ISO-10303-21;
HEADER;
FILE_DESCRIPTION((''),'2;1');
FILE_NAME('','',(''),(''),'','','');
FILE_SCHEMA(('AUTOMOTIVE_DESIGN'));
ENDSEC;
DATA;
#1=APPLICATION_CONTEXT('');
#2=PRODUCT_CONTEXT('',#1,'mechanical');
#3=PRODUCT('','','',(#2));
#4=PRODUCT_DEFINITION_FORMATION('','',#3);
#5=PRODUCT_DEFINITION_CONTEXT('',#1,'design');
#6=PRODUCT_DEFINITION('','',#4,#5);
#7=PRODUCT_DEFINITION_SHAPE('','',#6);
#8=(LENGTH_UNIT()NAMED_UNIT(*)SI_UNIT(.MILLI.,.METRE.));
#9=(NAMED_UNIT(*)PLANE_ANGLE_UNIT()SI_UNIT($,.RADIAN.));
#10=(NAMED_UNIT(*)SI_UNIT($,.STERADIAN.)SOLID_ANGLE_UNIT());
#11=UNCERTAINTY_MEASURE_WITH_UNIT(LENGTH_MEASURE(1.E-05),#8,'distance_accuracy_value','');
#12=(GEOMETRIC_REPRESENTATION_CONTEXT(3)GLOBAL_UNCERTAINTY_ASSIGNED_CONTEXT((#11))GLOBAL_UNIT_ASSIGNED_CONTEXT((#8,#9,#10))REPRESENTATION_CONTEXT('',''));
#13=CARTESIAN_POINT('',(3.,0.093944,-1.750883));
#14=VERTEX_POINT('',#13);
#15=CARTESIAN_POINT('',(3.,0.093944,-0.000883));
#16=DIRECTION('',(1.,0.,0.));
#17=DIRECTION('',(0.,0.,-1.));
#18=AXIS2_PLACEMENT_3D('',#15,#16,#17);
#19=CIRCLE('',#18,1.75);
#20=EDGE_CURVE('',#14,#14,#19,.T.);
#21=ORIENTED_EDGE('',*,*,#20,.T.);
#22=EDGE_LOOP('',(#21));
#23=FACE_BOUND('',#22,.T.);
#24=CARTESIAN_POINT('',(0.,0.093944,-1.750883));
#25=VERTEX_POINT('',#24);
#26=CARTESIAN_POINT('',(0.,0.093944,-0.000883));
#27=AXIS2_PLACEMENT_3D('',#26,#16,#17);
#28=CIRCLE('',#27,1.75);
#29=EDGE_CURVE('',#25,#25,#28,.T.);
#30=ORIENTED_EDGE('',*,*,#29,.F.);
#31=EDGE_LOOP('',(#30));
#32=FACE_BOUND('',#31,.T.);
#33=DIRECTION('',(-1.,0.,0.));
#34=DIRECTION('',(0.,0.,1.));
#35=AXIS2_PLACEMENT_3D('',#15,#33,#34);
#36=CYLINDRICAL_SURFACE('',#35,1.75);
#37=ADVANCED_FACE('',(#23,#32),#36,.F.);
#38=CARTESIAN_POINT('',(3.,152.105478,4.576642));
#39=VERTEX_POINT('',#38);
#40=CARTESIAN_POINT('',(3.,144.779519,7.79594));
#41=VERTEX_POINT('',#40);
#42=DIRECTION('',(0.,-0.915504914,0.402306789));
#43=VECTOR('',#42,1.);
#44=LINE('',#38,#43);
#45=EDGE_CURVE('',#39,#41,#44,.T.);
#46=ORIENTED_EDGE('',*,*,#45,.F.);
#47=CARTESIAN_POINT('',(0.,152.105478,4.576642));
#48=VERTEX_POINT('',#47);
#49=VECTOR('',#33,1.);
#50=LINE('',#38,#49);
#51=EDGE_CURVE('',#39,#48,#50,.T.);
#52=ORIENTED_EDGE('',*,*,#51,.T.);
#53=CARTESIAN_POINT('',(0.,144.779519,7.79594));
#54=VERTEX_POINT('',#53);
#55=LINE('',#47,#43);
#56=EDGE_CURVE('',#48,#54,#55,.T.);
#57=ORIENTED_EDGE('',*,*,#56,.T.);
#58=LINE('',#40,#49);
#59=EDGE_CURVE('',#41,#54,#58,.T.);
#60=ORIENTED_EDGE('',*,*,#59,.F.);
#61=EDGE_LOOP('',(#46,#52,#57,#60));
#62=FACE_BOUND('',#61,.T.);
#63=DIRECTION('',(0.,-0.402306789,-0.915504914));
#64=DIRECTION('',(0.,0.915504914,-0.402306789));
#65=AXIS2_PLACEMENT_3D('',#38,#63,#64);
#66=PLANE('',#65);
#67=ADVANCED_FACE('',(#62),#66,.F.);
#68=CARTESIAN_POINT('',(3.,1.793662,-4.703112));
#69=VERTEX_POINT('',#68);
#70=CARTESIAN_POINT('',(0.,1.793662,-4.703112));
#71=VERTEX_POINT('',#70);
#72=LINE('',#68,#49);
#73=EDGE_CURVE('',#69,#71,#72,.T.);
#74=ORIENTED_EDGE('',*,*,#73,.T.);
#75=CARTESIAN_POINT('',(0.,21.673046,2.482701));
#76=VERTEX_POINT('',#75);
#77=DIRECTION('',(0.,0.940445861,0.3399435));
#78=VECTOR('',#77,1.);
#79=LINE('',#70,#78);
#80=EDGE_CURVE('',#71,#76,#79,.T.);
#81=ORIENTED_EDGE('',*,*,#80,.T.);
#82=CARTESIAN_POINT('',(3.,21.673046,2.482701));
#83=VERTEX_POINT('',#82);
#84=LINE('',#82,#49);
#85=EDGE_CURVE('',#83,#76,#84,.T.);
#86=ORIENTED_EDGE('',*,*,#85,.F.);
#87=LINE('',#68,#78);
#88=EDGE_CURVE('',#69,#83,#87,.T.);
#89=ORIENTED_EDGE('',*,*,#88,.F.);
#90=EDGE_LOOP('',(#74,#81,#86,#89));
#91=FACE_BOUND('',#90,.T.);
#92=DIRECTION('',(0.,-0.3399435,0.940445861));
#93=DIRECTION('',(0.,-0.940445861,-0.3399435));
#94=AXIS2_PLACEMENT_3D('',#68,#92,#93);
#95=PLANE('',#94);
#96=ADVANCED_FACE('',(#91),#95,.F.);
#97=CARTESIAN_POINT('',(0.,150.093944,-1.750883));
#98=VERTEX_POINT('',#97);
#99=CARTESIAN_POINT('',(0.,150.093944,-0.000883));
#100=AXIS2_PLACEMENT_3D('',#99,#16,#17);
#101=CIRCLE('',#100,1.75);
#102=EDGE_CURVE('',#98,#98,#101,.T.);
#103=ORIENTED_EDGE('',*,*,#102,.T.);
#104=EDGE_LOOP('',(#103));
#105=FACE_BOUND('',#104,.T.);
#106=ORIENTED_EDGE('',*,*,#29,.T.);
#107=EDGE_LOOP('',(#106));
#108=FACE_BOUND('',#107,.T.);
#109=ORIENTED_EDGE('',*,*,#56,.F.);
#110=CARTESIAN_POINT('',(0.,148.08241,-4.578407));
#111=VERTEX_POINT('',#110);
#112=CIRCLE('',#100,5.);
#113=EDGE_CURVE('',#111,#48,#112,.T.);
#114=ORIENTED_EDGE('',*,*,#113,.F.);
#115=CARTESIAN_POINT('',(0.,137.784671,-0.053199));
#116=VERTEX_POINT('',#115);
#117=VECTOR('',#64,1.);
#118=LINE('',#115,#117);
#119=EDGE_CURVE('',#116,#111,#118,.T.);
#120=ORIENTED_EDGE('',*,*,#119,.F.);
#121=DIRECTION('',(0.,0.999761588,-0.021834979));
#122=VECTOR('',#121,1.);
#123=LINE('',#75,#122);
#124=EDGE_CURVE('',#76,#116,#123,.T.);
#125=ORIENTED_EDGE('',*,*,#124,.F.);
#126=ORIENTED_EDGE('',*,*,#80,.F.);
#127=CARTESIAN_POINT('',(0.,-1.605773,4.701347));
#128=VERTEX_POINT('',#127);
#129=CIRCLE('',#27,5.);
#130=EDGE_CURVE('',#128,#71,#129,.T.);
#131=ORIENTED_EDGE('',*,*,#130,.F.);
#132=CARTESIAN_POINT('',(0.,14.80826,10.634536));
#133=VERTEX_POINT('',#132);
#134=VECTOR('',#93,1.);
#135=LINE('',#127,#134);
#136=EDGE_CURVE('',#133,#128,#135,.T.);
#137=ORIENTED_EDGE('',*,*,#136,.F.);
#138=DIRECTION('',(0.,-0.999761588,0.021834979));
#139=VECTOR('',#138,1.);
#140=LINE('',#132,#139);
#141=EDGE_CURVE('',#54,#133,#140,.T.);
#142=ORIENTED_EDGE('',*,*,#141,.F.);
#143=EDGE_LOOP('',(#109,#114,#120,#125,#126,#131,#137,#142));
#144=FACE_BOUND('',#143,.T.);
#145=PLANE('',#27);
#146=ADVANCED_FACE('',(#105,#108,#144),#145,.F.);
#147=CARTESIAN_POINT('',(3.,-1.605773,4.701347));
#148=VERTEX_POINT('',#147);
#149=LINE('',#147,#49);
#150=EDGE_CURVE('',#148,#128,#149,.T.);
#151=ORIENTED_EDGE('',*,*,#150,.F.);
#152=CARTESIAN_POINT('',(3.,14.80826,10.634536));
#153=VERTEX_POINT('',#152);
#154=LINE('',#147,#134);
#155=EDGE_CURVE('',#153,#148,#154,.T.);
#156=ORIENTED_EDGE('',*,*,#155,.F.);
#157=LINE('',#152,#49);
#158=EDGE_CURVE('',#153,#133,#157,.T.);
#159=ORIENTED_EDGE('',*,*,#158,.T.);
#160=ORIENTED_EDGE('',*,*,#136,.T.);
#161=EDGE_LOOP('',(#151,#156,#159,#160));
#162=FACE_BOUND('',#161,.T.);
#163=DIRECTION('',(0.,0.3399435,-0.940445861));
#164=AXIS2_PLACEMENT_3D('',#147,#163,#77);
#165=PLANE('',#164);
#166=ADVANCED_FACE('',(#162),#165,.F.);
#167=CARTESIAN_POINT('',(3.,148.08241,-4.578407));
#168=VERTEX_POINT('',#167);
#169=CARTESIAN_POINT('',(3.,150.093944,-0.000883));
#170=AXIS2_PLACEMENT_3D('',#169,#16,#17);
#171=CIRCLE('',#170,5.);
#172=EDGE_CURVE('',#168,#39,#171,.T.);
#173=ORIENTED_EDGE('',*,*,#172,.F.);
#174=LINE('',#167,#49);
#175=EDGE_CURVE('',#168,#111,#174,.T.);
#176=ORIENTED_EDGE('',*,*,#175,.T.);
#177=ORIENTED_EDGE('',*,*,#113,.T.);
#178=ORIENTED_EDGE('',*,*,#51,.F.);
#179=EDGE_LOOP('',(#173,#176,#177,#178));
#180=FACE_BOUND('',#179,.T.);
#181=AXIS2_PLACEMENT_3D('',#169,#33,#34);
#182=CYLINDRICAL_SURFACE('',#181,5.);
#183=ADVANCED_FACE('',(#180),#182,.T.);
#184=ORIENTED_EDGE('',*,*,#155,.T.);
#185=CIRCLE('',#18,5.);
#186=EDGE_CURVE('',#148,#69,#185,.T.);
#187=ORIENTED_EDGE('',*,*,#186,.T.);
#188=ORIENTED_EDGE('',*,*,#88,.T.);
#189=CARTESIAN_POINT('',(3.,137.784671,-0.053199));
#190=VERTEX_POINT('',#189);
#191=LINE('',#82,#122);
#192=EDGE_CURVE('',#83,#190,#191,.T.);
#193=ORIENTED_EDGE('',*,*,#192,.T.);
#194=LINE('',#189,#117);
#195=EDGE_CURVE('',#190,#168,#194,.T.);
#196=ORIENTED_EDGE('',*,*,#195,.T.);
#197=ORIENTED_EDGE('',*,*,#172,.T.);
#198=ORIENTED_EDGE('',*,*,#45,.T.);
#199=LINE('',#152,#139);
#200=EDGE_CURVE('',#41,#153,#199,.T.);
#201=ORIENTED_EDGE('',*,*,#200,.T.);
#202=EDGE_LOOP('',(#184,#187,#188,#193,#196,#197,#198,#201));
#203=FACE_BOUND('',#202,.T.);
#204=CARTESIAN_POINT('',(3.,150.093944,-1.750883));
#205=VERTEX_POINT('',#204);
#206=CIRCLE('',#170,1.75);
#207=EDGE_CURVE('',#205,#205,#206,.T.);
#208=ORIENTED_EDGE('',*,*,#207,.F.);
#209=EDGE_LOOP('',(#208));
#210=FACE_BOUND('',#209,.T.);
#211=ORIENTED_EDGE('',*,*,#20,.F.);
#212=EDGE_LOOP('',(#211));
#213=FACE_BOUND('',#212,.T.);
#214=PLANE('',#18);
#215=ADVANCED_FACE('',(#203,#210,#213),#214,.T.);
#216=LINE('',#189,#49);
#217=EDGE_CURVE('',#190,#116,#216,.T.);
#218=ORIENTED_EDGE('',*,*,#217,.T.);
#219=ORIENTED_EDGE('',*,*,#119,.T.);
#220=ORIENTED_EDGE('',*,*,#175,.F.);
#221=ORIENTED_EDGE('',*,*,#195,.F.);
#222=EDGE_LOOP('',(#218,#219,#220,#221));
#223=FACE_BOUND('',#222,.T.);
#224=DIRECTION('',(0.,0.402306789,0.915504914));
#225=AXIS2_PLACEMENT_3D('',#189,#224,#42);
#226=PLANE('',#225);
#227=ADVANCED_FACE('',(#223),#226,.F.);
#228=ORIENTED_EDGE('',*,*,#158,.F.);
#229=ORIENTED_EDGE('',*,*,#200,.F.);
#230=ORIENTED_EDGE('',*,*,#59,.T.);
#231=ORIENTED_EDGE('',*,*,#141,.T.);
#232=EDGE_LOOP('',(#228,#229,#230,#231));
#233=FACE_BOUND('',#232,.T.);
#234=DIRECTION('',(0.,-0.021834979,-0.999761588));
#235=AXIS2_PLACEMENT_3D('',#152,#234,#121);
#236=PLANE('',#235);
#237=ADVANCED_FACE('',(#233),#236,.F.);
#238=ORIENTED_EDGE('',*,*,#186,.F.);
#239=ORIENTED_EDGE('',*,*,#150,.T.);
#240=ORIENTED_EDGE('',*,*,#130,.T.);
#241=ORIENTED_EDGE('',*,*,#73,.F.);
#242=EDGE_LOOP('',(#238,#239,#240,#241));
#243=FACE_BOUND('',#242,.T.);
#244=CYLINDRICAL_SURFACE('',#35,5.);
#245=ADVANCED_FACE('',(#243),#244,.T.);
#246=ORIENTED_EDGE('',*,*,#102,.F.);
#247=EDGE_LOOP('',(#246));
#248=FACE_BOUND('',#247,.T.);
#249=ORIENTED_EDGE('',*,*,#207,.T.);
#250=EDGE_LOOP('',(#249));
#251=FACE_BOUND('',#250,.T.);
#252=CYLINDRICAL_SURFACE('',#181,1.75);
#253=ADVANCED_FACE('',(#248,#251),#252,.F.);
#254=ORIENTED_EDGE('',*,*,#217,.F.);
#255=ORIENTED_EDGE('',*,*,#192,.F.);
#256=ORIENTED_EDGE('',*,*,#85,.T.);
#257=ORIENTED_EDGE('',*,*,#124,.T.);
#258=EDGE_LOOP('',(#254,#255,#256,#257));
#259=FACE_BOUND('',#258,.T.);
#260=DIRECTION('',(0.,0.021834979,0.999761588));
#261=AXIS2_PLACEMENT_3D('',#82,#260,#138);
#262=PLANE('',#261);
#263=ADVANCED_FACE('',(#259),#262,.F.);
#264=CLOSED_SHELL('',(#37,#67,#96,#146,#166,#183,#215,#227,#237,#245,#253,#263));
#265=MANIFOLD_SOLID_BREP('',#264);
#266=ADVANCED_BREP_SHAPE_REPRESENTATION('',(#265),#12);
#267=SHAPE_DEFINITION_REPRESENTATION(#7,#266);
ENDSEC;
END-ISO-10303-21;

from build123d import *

# Parameters (mm, degrees)
CROQUIS1_R              = 1.75
SALIENTE_EXTRUIR1_DEPTH = 3


with BuildPart() as part:
    # Croquis1 → Saliente-Extruir1 (new body)
    with BuildSketch(Plane(origin=(0, 0, 0), x_dir=(0, 0, -1), z_dir=(1, 0, 0))):
        with BuildLine():
            Line((4.703111933, 1.793661764), (-2.482700505, 21.6730463))
            Line((-2.482700505, 21.6730463), (0.053198949, 137.784671118))
            Line((0.053198949, 137.784671118), (4.5784072, 148.082410318))
            ThreePointArc((4.5784072, 148.082410318), (2.012416575, 154.671468833), (-4.57664194, 152.105478208))
            Line((-4.57664194, 152.105478208), (-7.795940026, 144.779518768))
            Line((-7.795940026, 144.779518768), (-10.634536468, 14.808259621))
            Line((-10.634536468, 14.808259621), (-4.701346672, -1.605773238))
            ThreePointArc((-4.701346672, -1.605773238), (1.700600132, -4.60828504), (4.703111933, 1.793661764))
        make_face()
        with Locations((0.00088263, 150.093944263)):
            Circle(CROQUIS1_R, mode=Mode.SUBTRACT)
        with Locations((0.00088263, 0.093944263)):
            Circle(CROQUIS1_R, mode=Mode.SUBTRACT)
    extrude(amount=SALIENTE_EXTRUIR1_DEPTH)


solid = part.part
